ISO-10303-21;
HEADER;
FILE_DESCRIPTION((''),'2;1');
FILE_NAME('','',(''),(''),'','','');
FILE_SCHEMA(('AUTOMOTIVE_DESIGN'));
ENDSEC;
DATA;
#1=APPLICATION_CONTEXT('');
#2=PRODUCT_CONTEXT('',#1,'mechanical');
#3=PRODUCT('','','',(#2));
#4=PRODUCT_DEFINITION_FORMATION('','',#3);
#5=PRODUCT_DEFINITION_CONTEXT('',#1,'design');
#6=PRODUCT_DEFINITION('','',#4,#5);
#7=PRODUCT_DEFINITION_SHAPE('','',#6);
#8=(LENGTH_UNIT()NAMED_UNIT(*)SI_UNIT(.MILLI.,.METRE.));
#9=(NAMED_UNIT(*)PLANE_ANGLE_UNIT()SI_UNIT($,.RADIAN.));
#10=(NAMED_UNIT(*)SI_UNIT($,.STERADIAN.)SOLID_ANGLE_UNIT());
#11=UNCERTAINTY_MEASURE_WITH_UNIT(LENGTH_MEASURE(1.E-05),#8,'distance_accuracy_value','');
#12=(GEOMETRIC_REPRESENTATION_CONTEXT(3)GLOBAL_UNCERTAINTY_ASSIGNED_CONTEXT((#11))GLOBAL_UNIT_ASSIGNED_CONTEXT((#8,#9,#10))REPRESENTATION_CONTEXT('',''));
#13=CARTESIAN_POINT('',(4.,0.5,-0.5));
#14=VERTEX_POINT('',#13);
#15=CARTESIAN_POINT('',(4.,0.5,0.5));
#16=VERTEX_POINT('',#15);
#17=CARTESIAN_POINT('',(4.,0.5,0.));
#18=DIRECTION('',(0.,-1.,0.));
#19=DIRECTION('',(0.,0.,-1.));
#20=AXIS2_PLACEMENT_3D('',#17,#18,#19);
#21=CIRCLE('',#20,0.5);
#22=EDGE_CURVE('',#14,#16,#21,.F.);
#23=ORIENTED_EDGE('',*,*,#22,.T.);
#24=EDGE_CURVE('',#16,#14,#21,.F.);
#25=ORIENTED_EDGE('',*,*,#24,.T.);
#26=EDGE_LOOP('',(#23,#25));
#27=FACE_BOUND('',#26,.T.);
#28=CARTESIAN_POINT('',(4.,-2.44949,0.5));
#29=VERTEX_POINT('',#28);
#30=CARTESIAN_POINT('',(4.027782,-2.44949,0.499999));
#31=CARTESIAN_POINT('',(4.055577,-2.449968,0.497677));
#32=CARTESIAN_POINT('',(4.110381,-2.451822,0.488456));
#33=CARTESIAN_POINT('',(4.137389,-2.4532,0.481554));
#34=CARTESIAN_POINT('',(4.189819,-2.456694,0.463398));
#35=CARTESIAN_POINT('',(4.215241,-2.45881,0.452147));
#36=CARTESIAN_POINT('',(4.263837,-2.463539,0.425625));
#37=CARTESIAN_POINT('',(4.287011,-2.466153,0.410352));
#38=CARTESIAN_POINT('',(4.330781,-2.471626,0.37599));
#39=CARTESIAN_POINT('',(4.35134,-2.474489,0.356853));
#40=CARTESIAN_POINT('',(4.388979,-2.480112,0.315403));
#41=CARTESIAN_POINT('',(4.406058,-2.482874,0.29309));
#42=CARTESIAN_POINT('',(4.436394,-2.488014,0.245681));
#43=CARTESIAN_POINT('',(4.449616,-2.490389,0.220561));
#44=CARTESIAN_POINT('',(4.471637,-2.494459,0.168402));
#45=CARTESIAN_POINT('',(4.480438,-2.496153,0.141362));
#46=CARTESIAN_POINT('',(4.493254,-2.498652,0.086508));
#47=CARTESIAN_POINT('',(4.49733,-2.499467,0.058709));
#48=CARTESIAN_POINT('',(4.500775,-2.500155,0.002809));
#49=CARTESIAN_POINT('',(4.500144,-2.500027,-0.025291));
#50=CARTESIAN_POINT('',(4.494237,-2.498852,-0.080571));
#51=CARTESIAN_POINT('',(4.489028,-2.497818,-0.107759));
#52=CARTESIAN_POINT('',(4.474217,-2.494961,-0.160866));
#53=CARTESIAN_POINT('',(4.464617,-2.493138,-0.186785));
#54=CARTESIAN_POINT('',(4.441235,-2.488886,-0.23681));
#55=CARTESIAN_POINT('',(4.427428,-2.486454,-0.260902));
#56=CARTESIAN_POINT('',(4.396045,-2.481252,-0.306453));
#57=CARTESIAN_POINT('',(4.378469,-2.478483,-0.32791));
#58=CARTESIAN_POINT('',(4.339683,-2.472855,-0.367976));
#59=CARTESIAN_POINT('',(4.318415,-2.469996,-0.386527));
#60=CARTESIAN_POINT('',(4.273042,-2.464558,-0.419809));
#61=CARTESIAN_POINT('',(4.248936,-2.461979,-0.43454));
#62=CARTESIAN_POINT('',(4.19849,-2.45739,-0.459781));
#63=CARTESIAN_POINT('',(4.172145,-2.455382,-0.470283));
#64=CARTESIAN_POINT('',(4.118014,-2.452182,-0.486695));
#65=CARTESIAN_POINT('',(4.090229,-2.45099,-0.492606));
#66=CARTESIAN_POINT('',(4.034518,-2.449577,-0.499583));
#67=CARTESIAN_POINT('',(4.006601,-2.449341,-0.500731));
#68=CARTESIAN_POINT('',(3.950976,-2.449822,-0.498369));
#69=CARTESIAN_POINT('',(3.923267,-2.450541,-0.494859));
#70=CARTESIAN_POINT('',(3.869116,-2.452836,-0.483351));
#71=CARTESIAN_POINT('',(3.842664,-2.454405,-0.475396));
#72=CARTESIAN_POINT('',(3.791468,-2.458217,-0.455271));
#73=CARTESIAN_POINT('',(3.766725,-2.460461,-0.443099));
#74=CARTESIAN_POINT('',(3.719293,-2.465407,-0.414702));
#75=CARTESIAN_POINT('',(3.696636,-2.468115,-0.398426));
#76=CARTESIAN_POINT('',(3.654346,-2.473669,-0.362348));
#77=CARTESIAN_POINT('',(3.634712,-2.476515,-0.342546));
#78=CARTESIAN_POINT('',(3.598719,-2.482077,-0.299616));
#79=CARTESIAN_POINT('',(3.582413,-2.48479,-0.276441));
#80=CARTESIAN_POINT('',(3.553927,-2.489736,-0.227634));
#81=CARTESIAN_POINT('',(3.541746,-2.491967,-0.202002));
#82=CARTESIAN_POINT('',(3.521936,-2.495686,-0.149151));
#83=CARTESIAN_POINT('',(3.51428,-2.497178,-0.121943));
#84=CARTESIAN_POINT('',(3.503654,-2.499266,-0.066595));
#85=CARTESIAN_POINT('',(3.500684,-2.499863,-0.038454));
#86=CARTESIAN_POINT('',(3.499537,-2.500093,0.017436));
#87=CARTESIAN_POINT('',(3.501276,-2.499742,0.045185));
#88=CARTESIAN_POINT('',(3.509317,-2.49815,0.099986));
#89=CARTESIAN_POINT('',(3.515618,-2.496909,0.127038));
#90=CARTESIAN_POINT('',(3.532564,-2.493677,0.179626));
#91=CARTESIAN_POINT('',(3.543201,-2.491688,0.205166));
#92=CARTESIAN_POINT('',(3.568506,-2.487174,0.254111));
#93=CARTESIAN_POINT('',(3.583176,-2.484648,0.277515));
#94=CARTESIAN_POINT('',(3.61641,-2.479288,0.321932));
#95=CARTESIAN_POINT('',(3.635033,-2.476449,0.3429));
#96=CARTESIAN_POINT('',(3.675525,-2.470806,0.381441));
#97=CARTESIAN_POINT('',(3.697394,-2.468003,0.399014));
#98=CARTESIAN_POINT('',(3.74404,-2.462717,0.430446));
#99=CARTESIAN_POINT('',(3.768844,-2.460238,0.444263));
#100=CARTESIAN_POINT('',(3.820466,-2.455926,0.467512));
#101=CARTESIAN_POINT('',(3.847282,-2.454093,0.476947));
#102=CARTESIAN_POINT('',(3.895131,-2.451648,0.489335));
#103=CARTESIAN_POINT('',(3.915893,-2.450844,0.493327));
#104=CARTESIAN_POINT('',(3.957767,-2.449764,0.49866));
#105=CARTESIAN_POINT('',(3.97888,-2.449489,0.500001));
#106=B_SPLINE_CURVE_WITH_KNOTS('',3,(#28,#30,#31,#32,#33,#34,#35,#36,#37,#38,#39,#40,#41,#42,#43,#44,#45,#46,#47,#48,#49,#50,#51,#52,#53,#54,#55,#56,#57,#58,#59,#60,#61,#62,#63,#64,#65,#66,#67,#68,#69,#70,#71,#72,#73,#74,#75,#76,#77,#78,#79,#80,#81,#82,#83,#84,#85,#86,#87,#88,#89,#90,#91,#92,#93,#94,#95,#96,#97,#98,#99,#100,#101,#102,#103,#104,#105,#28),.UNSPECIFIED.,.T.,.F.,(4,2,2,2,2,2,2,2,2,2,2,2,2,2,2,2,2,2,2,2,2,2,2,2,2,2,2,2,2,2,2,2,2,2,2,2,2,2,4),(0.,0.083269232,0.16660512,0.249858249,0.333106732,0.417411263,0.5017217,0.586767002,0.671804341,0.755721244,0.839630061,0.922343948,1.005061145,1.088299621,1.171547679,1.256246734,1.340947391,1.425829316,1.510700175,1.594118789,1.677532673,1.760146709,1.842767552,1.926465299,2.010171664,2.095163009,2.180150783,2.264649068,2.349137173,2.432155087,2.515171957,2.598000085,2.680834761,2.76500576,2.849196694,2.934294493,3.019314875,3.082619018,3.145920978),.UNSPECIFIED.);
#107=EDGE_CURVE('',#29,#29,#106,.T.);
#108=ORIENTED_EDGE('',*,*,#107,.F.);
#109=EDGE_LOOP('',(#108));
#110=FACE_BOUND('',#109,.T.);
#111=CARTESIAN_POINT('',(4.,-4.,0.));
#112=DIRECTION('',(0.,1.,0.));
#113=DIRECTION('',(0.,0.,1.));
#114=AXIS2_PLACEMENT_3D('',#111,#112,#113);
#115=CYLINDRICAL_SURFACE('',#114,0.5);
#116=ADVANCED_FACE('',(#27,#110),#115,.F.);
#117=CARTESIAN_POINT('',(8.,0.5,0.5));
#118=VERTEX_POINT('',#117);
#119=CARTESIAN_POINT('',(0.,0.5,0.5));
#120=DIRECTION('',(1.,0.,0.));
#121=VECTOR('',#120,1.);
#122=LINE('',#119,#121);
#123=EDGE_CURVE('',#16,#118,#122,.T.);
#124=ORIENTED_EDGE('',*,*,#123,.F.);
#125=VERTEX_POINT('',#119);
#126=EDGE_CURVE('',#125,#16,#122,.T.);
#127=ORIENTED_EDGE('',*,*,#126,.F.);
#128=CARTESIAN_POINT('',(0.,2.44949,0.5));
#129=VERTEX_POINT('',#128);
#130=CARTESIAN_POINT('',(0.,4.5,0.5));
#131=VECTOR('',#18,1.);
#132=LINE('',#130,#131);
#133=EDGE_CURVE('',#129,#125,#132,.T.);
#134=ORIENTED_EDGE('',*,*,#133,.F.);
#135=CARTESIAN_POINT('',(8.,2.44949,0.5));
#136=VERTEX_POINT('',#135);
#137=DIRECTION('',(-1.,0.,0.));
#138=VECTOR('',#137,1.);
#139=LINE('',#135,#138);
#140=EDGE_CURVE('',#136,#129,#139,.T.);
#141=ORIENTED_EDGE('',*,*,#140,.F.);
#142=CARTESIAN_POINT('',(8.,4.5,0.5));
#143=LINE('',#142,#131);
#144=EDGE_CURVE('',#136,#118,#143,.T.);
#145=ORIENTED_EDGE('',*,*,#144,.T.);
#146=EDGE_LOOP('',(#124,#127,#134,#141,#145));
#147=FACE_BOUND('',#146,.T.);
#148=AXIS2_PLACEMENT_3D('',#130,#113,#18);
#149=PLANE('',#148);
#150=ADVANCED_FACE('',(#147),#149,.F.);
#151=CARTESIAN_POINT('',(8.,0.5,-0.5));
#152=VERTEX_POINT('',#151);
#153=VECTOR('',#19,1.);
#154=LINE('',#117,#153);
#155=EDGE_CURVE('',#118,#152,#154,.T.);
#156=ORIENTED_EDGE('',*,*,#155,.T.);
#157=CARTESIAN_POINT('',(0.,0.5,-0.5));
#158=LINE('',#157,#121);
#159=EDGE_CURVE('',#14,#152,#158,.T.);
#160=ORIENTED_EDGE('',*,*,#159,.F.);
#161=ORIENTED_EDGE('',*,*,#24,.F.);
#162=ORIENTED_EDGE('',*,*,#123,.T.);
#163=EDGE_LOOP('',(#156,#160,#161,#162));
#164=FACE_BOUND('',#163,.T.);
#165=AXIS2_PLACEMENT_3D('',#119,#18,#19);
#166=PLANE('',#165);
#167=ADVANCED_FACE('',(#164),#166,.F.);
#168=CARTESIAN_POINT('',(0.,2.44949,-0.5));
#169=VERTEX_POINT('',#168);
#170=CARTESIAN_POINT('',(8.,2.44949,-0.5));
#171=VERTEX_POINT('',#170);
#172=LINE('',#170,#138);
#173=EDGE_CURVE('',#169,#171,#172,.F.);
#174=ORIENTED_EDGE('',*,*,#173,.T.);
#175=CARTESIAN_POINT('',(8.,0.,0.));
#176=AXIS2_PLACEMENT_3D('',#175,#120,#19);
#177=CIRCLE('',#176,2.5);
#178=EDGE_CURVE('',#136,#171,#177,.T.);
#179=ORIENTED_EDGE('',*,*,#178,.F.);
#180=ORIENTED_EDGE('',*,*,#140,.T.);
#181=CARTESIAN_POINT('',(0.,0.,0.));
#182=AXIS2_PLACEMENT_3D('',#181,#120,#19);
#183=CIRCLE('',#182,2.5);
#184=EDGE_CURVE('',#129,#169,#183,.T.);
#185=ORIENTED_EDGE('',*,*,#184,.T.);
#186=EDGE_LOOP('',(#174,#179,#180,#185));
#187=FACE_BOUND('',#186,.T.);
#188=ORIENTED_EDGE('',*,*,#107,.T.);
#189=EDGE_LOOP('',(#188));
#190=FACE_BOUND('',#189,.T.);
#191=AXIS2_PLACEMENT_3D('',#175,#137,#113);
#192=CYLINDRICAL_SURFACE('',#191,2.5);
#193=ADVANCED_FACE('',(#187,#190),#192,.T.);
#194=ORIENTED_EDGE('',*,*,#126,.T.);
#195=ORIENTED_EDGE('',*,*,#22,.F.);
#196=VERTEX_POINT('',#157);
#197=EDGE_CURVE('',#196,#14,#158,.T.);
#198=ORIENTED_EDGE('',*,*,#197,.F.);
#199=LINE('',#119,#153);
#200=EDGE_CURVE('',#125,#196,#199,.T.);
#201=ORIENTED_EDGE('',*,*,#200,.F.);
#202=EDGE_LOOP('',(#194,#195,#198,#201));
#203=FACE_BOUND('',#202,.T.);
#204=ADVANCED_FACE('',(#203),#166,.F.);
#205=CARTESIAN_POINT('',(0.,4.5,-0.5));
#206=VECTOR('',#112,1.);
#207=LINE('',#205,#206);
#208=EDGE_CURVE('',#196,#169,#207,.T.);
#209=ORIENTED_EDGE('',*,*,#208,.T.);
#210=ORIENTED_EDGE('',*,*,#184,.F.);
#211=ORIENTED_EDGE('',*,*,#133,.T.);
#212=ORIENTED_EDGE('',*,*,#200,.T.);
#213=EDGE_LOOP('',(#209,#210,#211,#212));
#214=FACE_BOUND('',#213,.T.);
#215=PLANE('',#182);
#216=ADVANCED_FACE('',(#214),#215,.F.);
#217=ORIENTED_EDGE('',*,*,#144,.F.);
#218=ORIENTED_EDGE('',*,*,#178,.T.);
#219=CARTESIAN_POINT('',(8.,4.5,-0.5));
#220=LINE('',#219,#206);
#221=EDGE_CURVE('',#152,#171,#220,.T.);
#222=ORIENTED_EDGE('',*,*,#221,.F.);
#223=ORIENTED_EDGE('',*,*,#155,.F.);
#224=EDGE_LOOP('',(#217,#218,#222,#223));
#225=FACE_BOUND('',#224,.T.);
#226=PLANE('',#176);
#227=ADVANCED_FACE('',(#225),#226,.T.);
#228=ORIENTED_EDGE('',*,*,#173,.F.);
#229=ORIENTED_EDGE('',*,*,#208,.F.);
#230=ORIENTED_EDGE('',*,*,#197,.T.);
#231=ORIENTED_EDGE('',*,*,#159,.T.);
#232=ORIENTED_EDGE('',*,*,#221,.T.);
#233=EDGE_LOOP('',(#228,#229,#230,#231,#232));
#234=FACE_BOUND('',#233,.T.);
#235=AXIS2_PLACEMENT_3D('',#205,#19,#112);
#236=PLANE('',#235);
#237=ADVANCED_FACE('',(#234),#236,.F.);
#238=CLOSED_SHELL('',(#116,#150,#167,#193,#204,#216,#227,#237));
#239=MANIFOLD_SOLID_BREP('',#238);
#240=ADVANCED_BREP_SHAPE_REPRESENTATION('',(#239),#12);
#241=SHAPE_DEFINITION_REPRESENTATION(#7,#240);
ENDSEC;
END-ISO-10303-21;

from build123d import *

# Parameters (mm, degrees)
SKETCH_1_R          = 2.5
EXTRUDE_1_DEPTH     = 8
SKETCH_2_R          = 0.5
CUT_EXTRUDE_2_DEPTH = 4
SKETCH_3_W          = 1
SKETCH_3_H          = 4
CUT_EXTRUDE_3_DEPTH = 8


with BuildPart() as part:
    # 草图1 → 凸台-拉伸1 (new body)
    with BuildSketch(Plane(origin=(0, 0, 0), x_dir=(0, 0, -1), z_dir=(1, 0, 0))):
        Circle(SKETCH_1_R)
    extrude(amount=EXTRUDE_1_DEPTH)

    # 草图2 → 切除-拉伸2 (cut, symmetric)
    with BuildSketch(Plane(origin=(0, 0, 0), x_dir=(1, 0, 0), z_dir=(0, 1, 0))):
        with Locations(Location((4, 0, 0), (0, 0, 270))):
            Circle(SKETCH_2_R)
    extrude(amount=CUT_EXTRUDE_2_DEPTH, both=True, mode=Mode.SUBTRACT)

    # 草图3 → 切除-拉伸3 (cut)
    with BuildSketch(Plane(origin=(8, 0, 0), x_dir=(0, 0, -1), z_dir=(1, 0, 0))):
        with Locations((0, 2.5)):
            Rectangle(SKETCH_3_W, SKETCH_3_H)
    extrude(amount=-CUT_EXTRUDE_3_DEPTH, mode=Mode.SUBTRACT)


solid = part.part
